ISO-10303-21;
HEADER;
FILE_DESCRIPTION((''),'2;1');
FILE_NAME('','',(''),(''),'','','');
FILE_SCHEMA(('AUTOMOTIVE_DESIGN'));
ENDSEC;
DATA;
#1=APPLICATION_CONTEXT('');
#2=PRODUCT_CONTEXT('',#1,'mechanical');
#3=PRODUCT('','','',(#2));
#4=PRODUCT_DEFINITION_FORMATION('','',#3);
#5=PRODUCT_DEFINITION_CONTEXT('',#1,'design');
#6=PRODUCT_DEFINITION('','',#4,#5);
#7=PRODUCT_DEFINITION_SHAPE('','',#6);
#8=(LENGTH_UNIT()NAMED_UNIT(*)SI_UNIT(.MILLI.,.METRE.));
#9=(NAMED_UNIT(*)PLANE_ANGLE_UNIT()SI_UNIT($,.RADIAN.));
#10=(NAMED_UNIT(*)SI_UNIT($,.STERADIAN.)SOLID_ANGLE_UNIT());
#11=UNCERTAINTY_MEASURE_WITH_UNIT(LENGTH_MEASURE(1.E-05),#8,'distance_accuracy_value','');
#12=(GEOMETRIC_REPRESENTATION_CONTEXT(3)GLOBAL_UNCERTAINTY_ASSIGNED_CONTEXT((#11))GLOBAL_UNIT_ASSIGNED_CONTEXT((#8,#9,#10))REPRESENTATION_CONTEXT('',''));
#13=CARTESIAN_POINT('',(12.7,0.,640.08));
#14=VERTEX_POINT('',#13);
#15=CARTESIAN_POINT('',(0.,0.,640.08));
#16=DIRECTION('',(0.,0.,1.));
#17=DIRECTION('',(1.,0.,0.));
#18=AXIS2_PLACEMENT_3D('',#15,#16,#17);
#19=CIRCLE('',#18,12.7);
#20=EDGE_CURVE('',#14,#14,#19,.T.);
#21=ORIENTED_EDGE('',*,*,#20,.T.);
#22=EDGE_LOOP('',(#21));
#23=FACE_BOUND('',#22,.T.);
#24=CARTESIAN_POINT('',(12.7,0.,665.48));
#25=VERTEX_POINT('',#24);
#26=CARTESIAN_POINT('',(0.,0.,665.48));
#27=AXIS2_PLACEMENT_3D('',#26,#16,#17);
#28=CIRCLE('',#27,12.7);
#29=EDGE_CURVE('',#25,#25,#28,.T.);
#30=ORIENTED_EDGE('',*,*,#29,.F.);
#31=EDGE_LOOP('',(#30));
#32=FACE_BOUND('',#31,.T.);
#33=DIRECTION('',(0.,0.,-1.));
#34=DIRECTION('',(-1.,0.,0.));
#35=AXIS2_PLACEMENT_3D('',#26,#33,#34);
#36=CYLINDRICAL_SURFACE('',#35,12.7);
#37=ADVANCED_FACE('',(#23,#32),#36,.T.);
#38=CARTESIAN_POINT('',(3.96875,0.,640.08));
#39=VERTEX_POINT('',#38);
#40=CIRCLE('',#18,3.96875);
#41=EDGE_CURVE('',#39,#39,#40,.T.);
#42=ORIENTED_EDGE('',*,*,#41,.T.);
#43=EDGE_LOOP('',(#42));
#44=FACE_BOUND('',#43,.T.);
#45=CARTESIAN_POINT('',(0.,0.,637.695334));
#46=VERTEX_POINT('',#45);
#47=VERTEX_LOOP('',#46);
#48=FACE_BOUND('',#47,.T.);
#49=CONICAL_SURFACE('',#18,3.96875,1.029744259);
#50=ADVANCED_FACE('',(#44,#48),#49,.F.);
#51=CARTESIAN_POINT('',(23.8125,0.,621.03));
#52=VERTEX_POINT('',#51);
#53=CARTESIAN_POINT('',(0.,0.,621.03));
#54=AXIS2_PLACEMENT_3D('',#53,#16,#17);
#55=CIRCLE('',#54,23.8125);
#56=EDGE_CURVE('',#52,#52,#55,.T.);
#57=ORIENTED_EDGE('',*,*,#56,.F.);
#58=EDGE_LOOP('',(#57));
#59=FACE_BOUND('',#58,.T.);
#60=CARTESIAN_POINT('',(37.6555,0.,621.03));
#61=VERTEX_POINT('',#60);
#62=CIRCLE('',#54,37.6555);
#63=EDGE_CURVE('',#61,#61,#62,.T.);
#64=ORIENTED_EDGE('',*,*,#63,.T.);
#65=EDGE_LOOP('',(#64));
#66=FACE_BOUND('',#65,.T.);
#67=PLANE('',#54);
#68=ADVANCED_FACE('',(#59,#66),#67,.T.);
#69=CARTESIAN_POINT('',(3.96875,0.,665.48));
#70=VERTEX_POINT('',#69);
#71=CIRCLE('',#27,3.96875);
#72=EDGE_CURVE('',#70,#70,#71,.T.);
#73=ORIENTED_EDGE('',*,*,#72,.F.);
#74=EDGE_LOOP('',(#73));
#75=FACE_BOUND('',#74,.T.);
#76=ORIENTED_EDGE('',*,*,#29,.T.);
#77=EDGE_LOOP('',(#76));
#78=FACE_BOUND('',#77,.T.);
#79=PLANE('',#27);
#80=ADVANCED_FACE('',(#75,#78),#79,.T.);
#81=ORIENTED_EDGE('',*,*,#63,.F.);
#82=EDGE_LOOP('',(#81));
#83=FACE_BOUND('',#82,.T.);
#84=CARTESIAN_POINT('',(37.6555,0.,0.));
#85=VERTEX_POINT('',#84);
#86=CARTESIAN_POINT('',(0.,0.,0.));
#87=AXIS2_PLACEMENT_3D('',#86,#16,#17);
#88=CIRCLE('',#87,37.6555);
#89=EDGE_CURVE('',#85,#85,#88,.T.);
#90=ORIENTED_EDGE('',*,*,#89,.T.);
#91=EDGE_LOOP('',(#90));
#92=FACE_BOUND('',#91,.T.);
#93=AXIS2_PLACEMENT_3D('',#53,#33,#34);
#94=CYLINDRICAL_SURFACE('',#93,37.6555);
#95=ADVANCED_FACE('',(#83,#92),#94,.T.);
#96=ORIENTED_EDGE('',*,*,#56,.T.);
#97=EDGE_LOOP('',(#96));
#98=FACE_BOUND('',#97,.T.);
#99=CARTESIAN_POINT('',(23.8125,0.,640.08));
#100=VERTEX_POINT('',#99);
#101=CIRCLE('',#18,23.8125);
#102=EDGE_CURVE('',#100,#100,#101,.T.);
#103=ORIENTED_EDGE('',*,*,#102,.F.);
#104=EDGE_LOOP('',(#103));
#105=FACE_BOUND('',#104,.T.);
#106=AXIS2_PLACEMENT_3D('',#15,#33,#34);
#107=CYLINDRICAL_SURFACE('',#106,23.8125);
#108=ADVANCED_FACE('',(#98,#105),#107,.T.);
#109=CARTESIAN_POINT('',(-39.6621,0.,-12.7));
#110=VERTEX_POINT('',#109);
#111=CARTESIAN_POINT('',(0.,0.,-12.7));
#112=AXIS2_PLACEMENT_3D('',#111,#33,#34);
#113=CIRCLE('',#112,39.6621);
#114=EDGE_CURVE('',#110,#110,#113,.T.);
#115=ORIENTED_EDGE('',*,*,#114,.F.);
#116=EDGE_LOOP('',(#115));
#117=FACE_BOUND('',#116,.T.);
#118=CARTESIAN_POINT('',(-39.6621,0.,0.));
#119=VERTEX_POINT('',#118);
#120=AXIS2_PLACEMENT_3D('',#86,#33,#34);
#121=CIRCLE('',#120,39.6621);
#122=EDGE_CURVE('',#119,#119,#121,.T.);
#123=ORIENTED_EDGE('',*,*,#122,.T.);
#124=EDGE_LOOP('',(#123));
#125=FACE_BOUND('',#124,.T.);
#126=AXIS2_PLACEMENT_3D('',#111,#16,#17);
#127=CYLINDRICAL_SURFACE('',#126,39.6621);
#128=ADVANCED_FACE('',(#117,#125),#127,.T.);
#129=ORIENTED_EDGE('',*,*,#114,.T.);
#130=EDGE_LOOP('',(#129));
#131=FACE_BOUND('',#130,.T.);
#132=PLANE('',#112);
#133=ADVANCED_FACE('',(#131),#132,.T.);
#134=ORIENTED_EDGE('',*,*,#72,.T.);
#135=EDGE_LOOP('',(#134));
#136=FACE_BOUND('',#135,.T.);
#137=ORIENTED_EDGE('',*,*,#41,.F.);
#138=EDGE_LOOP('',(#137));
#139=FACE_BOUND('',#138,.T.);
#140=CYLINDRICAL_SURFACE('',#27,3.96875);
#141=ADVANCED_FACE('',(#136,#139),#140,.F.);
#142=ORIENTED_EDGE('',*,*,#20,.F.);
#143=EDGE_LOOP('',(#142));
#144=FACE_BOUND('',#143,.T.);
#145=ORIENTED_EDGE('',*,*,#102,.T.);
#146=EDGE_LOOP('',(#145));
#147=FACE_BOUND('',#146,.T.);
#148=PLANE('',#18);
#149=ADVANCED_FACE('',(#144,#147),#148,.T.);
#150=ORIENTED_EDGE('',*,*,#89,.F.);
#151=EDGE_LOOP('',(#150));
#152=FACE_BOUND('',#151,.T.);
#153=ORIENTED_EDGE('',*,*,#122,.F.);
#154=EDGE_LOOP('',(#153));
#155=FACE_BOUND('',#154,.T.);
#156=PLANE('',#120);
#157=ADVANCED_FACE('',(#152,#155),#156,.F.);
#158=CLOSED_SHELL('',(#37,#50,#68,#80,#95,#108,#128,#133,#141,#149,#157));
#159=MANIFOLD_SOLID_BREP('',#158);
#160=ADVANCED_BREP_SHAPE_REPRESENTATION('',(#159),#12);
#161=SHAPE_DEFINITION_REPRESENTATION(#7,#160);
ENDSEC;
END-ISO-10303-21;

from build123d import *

# Parameters (mm, degrees)
SKETCH1_R                   = 37.6555
BOSS_EXTRUDE1_DEPTH         = 621.03
SKETCH2_R                   = 39.6621
BOSS_EXTRUDE2_DEPTH         = 12.7
SKETCH4_R                   = 23.8125
BOSS_EXTRUDE4_DEPTH         = 19.05
SKETCH5_R                   = 12.7
BOSS_EXTRUDE5_DEPTH         = 25.4
F_3_8_16_TAPPED_HOLE1_D     = 7.9375
F_3_8_16_TAPPED_HOLE1_DEPTH = 25.4
F_3_8_16_TAPPED_HOLE1_TIP   = 2.384665582


with BuildPart() as part:
    # Sketch1 → Boss-Extrude1 (new body)
    with BuildSketch(Plane.XY):
        Circle(SKETCH1_R)
    extrude(amount=BOSS_EXTRUDE1_DEPTH)

    # Sketch2 → Boss-Extrude2 (add)
    with BuildSketch(Plane(origin=(0, 0, 0), x_dir=(-1, 0, 0), z_dir=(0, 0, -1))):
        Circle(SKETCH2_R)
    extrude(amount=BOSS_EXTRUDE2_DEPTH)

    # Sketch4 → Boss-Extrude4 (add)
    with BuildSketch(Plane.XY.offset(621.03)):
        Circle(SKETCH4_R)
    extrude(amount=BOSS_EXTRUDE4_DEPTH)

    # Sketch5 → Boss-Extrude5 (add)
    with BuildSketch(Plane.XY.offset(640.08)):
        Circle(SKETCH5_R)
    extrude(amount=BOSS_EXTRUDE5_DEPTH)

    # 3/8-16 Tapped Hole1
    with Locations(Plane.XY.offset(665.48)):
        with Locations((0, 0)):
            Hole(F_3_8_16_TAPPED_HOLE1_D / 2, depth=F_3_8_16_TAPPED_HOLE1_DEPTH)
            with Locations((0, 0, -(F_3_8_16_TAPPED_HOLE1_DEPTH + F_3_8_16_TAPPED_HOLE1_TIP / 2))):  # 118° drill point
                Cone(0, F_3_8_16_TAPPED_HOLE1_D / 2, F_3_8_16_TAPPED_HOLE1_TIP, mode=Mode.SUBTRACT)


solid = part.part
